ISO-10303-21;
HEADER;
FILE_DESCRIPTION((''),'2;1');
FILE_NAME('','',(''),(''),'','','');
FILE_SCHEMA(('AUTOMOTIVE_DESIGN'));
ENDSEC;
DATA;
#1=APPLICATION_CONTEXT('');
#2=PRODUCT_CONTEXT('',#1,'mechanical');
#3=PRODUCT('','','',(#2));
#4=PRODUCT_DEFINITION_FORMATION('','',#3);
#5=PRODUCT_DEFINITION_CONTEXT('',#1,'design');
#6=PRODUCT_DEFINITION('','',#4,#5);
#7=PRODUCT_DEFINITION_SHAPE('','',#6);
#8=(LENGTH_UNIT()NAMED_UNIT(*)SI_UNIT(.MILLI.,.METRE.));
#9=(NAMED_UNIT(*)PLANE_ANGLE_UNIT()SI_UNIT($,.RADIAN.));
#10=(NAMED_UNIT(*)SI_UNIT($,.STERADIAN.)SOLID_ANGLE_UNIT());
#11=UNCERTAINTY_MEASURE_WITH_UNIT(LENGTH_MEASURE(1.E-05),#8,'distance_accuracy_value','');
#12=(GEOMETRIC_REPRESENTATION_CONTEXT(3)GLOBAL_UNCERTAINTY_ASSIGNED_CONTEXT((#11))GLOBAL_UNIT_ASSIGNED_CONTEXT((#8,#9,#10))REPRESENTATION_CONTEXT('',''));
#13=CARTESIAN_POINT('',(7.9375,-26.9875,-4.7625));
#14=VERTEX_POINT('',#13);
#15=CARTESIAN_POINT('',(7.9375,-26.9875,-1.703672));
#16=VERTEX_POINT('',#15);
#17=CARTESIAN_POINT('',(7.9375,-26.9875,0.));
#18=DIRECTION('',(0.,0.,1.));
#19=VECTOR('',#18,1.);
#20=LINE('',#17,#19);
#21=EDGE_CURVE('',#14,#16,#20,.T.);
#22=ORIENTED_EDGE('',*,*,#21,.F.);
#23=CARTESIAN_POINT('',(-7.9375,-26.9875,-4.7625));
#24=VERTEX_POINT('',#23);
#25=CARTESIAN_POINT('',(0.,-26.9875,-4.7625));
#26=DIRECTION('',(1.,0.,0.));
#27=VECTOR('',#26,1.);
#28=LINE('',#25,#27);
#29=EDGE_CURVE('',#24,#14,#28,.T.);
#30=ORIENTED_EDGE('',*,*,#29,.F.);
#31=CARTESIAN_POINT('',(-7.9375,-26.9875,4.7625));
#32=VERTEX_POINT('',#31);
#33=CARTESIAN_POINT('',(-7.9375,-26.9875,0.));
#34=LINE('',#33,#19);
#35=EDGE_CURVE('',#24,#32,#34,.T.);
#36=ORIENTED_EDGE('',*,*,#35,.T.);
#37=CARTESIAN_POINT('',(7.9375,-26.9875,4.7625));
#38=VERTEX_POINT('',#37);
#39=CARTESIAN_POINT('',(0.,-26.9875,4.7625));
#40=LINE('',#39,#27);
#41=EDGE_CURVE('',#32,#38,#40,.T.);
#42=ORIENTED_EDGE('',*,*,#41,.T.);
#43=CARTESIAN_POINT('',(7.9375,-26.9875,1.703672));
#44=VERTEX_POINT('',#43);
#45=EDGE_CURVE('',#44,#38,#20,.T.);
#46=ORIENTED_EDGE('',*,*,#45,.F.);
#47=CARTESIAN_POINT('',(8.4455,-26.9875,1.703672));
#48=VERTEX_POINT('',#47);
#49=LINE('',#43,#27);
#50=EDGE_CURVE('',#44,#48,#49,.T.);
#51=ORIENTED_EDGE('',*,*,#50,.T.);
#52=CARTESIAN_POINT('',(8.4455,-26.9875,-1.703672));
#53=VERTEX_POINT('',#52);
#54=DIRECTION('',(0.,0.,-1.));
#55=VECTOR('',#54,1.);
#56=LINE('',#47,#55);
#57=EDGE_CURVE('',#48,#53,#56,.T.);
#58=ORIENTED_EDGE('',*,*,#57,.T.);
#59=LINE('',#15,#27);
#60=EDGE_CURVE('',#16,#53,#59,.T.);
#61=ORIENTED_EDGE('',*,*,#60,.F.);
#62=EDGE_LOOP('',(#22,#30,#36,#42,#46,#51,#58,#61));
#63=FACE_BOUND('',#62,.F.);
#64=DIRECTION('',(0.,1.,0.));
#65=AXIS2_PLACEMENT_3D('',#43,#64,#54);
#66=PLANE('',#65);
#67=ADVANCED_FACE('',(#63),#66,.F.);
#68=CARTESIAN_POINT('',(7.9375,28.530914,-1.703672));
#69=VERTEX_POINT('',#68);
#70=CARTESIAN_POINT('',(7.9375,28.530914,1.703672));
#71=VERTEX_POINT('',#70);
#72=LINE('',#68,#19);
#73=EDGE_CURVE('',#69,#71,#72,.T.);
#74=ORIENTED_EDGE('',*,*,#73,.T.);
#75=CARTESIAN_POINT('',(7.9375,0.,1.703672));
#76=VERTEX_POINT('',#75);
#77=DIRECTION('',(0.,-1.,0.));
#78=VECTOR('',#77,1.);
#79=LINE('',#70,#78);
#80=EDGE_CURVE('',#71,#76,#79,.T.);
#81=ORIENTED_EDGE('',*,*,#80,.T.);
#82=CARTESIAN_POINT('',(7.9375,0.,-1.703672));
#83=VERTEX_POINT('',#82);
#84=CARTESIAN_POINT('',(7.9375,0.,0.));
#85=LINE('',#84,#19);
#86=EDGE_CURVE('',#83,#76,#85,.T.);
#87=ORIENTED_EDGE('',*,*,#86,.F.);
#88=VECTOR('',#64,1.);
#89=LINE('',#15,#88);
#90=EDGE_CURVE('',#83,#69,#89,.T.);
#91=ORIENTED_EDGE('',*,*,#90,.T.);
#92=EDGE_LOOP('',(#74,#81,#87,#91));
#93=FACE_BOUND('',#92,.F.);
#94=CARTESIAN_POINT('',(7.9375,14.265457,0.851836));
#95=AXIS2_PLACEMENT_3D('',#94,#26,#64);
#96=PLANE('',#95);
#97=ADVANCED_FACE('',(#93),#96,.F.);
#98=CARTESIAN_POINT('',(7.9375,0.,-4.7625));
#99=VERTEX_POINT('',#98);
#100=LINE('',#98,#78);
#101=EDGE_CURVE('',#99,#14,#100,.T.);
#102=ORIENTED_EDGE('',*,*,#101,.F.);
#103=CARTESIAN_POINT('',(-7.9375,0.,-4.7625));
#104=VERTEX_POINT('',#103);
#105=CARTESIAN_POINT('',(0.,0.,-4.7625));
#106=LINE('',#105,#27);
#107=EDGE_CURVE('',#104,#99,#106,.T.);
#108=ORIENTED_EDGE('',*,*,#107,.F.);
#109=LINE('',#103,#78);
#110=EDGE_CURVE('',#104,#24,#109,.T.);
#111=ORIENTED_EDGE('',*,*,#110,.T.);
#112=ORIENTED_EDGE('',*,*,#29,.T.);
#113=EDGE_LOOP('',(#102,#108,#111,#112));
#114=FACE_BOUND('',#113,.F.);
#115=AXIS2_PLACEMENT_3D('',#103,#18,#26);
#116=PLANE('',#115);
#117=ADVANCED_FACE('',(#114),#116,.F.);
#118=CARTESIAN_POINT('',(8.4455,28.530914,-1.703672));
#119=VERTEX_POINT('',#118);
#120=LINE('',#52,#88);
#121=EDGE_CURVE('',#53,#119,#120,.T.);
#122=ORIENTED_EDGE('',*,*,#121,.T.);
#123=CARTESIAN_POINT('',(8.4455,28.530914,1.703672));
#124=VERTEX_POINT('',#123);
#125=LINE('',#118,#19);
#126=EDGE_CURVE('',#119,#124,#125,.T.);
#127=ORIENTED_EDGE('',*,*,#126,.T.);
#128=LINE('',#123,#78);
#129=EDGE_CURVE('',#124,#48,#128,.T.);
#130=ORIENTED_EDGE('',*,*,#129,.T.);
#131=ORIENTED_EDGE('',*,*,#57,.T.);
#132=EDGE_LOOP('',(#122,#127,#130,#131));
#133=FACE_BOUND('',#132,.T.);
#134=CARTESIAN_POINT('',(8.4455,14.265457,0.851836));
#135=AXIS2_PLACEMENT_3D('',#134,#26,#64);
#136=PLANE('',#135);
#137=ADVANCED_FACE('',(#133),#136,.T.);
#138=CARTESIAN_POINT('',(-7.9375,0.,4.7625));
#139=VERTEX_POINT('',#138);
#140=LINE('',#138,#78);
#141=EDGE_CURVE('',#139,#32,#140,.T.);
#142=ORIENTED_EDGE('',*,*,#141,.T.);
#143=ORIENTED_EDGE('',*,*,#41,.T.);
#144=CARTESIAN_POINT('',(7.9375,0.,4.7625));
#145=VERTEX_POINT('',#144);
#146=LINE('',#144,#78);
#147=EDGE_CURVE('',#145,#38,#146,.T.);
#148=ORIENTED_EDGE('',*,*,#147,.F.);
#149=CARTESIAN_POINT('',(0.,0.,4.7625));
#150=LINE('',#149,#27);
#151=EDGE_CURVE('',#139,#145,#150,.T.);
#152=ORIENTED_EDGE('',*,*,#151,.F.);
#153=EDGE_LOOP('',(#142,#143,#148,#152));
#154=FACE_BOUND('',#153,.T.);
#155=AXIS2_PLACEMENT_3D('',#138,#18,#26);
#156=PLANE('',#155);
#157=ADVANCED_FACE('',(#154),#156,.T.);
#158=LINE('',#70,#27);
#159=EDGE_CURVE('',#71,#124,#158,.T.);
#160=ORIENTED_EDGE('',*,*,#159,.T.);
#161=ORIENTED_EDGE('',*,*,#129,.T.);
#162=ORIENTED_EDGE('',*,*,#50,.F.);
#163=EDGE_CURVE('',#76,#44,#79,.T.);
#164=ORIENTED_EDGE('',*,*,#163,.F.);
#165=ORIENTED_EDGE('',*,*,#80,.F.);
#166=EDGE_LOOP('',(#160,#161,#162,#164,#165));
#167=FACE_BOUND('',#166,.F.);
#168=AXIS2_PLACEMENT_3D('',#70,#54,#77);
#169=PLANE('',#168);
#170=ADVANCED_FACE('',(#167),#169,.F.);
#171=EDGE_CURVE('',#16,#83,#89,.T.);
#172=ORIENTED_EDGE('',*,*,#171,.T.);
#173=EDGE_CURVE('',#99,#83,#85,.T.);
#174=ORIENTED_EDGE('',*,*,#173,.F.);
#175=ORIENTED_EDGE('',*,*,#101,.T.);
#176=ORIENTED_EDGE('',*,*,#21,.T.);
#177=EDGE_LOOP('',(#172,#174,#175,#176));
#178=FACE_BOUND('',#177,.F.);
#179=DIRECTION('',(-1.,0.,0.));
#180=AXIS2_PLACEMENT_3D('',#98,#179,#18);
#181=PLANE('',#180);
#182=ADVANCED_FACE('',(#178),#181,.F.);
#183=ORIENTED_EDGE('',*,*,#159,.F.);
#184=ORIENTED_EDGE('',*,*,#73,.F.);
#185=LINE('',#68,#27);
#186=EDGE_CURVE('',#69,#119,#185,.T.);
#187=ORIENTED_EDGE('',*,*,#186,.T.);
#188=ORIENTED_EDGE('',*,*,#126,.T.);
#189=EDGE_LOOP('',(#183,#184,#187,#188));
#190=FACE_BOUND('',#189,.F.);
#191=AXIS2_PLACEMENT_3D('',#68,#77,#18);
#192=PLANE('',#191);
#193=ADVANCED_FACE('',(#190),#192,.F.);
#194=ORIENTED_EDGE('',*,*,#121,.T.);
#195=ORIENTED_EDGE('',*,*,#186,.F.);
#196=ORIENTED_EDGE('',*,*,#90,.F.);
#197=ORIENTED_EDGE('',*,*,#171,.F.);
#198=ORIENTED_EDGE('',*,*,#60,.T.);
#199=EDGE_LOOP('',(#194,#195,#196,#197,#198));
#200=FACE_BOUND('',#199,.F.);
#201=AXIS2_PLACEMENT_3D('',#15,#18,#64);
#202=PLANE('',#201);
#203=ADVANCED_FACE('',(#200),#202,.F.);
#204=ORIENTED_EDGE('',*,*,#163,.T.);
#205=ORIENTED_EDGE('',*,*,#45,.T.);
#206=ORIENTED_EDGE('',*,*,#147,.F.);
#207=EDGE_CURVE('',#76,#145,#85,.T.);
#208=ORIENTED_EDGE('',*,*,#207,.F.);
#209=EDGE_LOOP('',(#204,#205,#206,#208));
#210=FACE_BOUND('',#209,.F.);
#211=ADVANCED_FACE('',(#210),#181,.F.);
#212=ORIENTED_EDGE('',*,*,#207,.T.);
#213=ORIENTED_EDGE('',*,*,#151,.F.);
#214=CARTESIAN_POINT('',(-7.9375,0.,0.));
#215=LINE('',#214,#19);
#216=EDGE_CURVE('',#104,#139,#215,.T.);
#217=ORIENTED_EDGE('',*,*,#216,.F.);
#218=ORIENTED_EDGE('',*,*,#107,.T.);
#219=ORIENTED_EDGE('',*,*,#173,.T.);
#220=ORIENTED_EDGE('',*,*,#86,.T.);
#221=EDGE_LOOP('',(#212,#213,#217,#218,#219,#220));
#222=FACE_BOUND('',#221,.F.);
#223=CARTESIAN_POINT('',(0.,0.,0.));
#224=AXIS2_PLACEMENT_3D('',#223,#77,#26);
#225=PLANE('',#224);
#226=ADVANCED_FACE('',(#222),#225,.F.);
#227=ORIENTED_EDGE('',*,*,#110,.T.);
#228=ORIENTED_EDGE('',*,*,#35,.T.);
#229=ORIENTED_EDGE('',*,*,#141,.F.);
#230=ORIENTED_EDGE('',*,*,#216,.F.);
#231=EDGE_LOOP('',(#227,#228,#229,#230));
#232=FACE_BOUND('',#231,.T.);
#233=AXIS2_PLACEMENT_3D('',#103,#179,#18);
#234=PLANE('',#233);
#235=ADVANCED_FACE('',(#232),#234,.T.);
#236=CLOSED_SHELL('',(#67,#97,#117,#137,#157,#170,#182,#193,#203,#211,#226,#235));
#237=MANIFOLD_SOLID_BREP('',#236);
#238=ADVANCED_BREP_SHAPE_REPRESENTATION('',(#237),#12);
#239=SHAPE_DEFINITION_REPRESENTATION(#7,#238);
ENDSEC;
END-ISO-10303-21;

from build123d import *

# Parameters (mm, degrees)
F0_W     = 15.875
F0_H     = 9.525
F1_DEPTH = 26.9875
F2_W     = 28.530914
F2_H     = 1.703672
F2_W_2   = 26.9875
F3_DEPTH = 0.508


with BuildPart() as f1:
    # F0 (on Front) → F1 (new body)
    with BuildSketch(Plane.XZ):
        Rectangle(F0_W, F0_H)
    extrude(amount=F1_DEPTH)

    # F2 (on face) → F3 (join)
    with BuildSketch(Plane.YZ.offset(7.9375)):
        with Locations((14.265457, 0.851836)):
            Rectangle(F2_W, F2_H)
        with Locations((-13.49375, 0.851836)):
            Rectangle(F2_W_2, F2_H)
        with Locations((-13.49375, -0.851836)):
            Rectangle(F2_W_2, F2_H)
        with Locations((14.265457, -0.851836)):
            Rectangle(F2_W, F2_H)
    extrude(amount=F3_DEPTH)


solid = f1.part
